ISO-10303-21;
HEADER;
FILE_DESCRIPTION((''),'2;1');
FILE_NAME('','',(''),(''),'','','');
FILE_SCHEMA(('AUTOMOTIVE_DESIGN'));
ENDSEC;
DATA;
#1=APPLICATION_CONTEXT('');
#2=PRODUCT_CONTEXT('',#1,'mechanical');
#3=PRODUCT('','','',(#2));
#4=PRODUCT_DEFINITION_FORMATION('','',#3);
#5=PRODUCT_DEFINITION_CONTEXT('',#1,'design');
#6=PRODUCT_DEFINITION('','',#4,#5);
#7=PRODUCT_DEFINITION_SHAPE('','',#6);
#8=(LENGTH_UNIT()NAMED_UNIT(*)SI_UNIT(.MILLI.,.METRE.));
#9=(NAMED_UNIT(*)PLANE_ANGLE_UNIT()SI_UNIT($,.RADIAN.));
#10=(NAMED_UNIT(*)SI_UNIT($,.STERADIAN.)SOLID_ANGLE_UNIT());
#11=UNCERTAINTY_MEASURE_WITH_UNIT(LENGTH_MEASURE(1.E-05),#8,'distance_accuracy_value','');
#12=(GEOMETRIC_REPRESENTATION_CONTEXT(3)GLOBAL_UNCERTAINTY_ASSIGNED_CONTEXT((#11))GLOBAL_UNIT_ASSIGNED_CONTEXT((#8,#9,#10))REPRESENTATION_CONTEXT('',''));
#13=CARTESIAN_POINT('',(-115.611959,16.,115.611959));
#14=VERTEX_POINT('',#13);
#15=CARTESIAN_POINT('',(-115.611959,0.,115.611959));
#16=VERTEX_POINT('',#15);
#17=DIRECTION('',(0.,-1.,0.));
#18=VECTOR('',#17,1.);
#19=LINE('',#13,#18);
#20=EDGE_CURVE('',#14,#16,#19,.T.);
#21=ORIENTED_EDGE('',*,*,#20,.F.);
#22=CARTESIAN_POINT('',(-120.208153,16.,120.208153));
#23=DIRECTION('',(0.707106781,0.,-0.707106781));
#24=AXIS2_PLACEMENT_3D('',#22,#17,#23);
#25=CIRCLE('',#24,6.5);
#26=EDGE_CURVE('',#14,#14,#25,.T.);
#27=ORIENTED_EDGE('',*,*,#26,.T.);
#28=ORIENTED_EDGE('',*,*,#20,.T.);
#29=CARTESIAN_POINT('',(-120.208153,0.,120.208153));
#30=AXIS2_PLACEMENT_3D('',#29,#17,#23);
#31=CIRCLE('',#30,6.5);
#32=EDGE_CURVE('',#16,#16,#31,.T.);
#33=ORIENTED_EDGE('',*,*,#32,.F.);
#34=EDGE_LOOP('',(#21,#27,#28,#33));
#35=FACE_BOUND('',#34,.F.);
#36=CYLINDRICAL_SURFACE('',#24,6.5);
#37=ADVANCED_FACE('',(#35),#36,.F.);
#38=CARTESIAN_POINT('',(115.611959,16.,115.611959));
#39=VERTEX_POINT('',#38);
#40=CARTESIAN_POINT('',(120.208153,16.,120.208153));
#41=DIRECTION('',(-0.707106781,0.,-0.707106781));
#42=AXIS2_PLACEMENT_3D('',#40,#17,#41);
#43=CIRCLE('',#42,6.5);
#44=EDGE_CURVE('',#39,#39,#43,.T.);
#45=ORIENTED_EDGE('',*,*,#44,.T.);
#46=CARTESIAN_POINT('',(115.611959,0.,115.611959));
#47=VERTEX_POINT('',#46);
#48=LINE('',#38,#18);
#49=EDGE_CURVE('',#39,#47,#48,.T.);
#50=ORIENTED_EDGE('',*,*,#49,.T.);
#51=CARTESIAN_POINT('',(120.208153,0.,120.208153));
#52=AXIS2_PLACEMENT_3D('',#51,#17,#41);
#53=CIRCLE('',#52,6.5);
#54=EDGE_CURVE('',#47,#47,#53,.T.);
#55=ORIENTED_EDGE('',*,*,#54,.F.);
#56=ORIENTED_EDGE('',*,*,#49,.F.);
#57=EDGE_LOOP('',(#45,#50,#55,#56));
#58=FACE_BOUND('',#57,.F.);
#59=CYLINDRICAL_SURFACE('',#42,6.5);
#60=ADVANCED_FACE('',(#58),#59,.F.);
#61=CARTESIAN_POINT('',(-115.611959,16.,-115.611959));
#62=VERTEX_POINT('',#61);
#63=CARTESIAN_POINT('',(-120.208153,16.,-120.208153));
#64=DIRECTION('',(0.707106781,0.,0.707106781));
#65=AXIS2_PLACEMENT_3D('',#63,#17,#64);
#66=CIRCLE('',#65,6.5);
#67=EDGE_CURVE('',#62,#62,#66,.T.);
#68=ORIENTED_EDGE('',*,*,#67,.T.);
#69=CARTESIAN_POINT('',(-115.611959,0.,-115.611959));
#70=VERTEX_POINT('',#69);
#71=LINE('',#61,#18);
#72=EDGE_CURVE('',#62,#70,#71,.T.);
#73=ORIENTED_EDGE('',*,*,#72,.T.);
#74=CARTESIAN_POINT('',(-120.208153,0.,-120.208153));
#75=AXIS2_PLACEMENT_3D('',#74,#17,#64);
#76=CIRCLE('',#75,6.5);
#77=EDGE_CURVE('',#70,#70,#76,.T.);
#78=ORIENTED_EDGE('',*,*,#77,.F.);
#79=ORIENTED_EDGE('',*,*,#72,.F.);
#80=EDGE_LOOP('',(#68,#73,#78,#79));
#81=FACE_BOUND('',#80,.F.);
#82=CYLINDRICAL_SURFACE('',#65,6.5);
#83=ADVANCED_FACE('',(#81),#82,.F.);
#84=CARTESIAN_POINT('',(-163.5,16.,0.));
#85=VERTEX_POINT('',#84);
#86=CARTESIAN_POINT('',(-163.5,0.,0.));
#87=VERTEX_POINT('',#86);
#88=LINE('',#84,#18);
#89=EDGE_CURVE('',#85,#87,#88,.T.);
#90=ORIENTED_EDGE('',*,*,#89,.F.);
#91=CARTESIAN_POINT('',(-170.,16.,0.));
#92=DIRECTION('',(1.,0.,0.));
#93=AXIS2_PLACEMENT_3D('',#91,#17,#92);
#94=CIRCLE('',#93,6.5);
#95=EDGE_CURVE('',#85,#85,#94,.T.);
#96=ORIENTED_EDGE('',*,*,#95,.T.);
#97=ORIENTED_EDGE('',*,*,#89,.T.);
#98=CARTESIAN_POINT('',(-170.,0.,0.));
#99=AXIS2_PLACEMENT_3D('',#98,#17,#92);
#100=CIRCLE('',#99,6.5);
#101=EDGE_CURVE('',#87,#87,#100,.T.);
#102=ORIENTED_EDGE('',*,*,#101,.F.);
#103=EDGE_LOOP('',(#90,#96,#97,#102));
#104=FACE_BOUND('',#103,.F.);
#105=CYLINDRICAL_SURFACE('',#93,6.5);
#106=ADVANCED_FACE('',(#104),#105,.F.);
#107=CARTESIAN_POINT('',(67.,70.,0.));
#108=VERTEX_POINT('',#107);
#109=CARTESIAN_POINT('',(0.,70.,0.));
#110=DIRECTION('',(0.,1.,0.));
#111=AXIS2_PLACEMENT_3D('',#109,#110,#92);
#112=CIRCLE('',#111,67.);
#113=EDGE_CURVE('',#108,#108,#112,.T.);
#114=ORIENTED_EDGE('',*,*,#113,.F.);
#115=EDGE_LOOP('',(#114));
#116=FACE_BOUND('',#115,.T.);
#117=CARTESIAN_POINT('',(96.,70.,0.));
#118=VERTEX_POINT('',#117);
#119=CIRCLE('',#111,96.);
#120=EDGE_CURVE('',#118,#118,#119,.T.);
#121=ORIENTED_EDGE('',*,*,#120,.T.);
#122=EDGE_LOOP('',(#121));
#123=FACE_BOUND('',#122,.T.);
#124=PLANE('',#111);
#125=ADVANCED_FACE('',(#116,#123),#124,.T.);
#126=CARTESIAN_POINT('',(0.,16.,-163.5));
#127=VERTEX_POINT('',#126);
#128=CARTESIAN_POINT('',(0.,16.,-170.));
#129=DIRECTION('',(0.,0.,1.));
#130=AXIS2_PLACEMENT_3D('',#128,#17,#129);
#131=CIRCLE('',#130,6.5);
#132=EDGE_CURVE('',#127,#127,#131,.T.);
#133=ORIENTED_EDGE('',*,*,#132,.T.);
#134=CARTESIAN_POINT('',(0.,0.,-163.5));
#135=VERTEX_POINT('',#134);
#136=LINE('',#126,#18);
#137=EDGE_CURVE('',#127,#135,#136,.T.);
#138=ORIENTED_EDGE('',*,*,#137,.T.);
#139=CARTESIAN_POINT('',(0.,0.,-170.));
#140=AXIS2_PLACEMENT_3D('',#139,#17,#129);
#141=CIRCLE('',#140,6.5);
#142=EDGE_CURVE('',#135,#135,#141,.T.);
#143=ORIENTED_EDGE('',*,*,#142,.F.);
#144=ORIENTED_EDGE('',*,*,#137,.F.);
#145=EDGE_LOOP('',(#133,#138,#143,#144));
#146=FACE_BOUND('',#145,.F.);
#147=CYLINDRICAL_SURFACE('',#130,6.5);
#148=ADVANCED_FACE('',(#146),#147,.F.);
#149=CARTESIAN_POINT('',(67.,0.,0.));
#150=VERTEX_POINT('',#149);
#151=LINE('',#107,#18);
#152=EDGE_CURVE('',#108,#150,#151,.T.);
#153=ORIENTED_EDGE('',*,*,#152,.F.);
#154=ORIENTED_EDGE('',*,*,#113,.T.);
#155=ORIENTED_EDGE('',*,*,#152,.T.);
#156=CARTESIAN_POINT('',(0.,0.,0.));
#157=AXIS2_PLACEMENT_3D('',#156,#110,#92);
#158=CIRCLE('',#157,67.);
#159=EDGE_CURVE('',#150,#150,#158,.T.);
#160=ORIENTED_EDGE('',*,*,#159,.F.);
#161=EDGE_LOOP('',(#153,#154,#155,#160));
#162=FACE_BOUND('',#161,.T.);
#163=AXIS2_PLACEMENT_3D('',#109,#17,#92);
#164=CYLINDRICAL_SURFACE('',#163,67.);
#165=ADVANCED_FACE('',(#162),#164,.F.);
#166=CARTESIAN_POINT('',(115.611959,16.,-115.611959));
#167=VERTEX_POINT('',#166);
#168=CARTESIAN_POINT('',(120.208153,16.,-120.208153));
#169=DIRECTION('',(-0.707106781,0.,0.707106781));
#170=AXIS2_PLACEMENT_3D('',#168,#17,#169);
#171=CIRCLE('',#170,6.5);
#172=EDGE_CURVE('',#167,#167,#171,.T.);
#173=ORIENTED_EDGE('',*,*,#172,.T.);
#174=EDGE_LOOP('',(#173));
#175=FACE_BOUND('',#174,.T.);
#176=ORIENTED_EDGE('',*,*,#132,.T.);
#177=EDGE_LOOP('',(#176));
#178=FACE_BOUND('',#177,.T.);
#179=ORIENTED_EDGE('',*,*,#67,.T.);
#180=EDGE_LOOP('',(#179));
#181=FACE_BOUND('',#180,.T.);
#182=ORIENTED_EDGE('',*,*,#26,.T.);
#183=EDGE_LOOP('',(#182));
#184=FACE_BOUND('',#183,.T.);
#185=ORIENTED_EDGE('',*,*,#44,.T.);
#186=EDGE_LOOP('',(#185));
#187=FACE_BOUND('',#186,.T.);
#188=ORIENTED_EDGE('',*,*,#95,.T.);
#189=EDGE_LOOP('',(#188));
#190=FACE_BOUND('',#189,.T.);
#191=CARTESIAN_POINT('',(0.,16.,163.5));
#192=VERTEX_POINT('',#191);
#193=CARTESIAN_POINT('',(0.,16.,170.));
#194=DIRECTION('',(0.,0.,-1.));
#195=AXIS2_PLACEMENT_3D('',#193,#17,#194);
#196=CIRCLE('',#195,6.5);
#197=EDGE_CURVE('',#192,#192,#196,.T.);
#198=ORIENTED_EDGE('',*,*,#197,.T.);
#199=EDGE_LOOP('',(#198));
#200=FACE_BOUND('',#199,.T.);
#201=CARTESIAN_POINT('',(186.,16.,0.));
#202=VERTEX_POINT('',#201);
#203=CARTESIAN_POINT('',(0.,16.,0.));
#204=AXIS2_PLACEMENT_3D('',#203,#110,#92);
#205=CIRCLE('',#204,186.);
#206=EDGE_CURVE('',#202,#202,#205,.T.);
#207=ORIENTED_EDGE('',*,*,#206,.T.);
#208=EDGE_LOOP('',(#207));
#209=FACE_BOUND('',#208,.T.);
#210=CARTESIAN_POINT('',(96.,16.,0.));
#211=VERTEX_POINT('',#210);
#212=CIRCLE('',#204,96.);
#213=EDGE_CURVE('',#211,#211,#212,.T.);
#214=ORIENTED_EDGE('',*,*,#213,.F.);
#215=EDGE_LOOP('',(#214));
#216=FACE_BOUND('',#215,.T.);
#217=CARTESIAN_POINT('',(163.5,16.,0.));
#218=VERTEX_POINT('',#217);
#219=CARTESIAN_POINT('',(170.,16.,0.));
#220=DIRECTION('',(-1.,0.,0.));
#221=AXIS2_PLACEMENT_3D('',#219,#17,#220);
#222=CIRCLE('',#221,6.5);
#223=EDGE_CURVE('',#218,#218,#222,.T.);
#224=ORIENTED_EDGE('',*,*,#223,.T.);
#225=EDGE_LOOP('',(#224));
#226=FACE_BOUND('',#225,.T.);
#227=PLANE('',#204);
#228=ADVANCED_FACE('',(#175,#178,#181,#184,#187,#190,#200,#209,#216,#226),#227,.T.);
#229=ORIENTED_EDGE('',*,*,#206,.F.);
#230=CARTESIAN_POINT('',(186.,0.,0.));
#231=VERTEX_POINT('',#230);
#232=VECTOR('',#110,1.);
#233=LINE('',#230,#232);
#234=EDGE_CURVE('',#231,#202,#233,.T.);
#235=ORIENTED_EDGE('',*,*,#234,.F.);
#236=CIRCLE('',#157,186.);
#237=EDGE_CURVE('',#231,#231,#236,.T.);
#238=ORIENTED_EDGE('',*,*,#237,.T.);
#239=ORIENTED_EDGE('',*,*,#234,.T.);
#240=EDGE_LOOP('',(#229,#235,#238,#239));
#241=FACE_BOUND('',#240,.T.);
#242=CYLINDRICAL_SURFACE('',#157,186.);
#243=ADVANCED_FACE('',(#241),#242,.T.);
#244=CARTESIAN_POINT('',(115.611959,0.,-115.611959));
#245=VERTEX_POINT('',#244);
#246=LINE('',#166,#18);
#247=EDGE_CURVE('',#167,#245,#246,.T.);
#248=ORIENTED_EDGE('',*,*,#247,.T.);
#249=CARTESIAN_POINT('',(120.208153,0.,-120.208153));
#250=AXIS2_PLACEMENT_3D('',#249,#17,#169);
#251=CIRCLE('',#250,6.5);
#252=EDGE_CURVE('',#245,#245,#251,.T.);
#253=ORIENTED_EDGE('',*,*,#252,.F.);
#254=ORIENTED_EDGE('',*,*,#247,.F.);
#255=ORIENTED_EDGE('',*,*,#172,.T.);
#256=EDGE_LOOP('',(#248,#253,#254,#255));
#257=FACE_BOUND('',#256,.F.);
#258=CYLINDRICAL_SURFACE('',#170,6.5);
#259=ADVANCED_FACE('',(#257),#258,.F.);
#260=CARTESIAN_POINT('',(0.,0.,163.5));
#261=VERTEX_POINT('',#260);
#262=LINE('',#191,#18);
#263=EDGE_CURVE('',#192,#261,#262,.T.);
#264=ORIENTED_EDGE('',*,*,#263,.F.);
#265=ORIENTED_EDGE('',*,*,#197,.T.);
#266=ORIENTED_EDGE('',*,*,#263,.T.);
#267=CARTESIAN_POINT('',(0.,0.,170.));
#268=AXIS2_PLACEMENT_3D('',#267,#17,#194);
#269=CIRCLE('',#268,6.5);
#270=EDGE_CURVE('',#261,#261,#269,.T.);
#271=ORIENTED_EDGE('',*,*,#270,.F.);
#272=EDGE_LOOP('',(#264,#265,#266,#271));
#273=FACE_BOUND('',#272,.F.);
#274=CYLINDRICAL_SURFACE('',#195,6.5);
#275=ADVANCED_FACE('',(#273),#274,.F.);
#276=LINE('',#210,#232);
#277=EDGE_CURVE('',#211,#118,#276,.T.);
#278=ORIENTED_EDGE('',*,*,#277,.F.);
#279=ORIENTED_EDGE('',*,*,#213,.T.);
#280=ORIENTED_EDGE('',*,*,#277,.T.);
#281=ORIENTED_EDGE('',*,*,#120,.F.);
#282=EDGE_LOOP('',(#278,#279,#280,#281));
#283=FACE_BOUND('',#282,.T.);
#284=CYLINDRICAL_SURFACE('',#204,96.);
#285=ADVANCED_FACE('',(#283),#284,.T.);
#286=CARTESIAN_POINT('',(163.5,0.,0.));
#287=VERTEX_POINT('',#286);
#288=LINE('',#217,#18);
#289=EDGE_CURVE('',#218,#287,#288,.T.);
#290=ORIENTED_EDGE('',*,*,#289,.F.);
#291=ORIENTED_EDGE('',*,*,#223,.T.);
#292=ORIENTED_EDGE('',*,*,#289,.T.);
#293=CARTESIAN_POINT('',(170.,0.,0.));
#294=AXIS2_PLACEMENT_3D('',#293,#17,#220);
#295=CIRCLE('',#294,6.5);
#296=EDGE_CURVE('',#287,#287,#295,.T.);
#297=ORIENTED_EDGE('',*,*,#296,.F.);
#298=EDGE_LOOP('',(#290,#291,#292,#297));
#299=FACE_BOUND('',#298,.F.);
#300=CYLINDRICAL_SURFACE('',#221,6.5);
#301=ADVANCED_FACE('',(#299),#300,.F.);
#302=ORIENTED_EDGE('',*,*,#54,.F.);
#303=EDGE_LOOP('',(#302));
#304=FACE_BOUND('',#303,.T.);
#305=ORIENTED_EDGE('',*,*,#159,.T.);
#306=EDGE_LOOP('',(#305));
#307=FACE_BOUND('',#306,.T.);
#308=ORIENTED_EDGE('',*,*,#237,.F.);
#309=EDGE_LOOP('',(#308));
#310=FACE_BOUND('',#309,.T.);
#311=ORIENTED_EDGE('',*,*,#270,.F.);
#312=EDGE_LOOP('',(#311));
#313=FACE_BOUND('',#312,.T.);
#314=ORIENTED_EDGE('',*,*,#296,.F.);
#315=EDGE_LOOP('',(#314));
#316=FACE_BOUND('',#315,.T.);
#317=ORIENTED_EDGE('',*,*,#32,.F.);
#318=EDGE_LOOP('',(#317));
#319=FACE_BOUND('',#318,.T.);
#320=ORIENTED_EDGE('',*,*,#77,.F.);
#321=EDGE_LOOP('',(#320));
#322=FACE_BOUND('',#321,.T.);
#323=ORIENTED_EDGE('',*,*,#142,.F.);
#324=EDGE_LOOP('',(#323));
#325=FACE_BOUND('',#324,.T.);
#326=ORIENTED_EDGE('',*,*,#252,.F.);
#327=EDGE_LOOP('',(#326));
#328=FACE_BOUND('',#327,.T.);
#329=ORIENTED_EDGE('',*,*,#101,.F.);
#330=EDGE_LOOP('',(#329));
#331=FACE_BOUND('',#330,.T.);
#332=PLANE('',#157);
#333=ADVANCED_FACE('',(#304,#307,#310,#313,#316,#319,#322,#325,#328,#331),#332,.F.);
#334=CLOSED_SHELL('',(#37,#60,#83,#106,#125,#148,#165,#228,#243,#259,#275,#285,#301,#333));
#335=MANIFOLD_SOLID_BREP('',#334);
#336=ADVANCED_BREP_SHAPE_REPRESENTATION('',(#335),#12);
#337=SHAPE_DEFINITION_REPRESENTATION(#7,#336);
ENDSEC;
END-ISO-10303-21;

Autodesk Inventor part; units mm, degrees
ref_plane "YZ Plane" through (0, 0, 0) normal (1, 0, 0) x (0, 1, 0)
ref_plane "XZ Plane" through (0, 0, 0) normal (0, 1, 0) x (-1, 0, 0)
ref_plane "XY Plane" through (0, 0, 0) normal (0, 0, 1) x (1, 0, 0)
sketch "Sketch2" plane through (0, 0, 0) normal (0, 0, 1) x (1, 0, 0)
  line L0 (67, 70) -> (67, 0)
  line L1 (67, 0) -> (186, 0)
  line L2 (186, 0) -> (186, 16)
  line L3 (186, 16) -> (96, 16)
  line L4 (96, 16) -> (96, 70)
  line L5 (96, 70) -> (67, 70)
  line L6 (0, 0) -> (0, 134.3394)
  dimension "d1" = 70
  dimension "d2" = 119
  dimension "d3" = 29
  dimension "d4" = 134
  dimension "d5" = 16
revolve "Revolution1" add sketch "Sketch2" angle 360 about axis through (0, 0, 0) along (0, 1, 0)
sketch "Sketch3" plane through (0, 16, 0) normal (0, 1, 0) x (1, 0, 0)
  circle A0 centre (0, 0) radius 170 construction
  point P0 (0, 170)
  dimension "d7" = 340
hole "Hole1" at (0, 16, -170) direction (0, -1, 0) diameter 13 end through all
pattern_circular "Circular Pattern1" count 8 over 360 about axis through (0, -10, 0) along (0, 1, 0) of "Hole1"
equation "\"BendRadius\" = Thickness"
equation "\"BendReliefWidth\" = Thickness"
equation "\"BendReliefDepth\" = 0.5 * Thickness"
equation "\"CornerReliefSize\" = 4 * Thickness"
equation "\"MinimumRemnant\" = 2 * Thickness"
equation "\"TransitionRadius\" = BendRadius"
equation "\"JacobiRadiusSize\" = BendRadius"
equation "\"GapSize\" = Thickness"
equation "\"Thickness\" = 0.5"
properties part number "DMF Hat 2.0"
